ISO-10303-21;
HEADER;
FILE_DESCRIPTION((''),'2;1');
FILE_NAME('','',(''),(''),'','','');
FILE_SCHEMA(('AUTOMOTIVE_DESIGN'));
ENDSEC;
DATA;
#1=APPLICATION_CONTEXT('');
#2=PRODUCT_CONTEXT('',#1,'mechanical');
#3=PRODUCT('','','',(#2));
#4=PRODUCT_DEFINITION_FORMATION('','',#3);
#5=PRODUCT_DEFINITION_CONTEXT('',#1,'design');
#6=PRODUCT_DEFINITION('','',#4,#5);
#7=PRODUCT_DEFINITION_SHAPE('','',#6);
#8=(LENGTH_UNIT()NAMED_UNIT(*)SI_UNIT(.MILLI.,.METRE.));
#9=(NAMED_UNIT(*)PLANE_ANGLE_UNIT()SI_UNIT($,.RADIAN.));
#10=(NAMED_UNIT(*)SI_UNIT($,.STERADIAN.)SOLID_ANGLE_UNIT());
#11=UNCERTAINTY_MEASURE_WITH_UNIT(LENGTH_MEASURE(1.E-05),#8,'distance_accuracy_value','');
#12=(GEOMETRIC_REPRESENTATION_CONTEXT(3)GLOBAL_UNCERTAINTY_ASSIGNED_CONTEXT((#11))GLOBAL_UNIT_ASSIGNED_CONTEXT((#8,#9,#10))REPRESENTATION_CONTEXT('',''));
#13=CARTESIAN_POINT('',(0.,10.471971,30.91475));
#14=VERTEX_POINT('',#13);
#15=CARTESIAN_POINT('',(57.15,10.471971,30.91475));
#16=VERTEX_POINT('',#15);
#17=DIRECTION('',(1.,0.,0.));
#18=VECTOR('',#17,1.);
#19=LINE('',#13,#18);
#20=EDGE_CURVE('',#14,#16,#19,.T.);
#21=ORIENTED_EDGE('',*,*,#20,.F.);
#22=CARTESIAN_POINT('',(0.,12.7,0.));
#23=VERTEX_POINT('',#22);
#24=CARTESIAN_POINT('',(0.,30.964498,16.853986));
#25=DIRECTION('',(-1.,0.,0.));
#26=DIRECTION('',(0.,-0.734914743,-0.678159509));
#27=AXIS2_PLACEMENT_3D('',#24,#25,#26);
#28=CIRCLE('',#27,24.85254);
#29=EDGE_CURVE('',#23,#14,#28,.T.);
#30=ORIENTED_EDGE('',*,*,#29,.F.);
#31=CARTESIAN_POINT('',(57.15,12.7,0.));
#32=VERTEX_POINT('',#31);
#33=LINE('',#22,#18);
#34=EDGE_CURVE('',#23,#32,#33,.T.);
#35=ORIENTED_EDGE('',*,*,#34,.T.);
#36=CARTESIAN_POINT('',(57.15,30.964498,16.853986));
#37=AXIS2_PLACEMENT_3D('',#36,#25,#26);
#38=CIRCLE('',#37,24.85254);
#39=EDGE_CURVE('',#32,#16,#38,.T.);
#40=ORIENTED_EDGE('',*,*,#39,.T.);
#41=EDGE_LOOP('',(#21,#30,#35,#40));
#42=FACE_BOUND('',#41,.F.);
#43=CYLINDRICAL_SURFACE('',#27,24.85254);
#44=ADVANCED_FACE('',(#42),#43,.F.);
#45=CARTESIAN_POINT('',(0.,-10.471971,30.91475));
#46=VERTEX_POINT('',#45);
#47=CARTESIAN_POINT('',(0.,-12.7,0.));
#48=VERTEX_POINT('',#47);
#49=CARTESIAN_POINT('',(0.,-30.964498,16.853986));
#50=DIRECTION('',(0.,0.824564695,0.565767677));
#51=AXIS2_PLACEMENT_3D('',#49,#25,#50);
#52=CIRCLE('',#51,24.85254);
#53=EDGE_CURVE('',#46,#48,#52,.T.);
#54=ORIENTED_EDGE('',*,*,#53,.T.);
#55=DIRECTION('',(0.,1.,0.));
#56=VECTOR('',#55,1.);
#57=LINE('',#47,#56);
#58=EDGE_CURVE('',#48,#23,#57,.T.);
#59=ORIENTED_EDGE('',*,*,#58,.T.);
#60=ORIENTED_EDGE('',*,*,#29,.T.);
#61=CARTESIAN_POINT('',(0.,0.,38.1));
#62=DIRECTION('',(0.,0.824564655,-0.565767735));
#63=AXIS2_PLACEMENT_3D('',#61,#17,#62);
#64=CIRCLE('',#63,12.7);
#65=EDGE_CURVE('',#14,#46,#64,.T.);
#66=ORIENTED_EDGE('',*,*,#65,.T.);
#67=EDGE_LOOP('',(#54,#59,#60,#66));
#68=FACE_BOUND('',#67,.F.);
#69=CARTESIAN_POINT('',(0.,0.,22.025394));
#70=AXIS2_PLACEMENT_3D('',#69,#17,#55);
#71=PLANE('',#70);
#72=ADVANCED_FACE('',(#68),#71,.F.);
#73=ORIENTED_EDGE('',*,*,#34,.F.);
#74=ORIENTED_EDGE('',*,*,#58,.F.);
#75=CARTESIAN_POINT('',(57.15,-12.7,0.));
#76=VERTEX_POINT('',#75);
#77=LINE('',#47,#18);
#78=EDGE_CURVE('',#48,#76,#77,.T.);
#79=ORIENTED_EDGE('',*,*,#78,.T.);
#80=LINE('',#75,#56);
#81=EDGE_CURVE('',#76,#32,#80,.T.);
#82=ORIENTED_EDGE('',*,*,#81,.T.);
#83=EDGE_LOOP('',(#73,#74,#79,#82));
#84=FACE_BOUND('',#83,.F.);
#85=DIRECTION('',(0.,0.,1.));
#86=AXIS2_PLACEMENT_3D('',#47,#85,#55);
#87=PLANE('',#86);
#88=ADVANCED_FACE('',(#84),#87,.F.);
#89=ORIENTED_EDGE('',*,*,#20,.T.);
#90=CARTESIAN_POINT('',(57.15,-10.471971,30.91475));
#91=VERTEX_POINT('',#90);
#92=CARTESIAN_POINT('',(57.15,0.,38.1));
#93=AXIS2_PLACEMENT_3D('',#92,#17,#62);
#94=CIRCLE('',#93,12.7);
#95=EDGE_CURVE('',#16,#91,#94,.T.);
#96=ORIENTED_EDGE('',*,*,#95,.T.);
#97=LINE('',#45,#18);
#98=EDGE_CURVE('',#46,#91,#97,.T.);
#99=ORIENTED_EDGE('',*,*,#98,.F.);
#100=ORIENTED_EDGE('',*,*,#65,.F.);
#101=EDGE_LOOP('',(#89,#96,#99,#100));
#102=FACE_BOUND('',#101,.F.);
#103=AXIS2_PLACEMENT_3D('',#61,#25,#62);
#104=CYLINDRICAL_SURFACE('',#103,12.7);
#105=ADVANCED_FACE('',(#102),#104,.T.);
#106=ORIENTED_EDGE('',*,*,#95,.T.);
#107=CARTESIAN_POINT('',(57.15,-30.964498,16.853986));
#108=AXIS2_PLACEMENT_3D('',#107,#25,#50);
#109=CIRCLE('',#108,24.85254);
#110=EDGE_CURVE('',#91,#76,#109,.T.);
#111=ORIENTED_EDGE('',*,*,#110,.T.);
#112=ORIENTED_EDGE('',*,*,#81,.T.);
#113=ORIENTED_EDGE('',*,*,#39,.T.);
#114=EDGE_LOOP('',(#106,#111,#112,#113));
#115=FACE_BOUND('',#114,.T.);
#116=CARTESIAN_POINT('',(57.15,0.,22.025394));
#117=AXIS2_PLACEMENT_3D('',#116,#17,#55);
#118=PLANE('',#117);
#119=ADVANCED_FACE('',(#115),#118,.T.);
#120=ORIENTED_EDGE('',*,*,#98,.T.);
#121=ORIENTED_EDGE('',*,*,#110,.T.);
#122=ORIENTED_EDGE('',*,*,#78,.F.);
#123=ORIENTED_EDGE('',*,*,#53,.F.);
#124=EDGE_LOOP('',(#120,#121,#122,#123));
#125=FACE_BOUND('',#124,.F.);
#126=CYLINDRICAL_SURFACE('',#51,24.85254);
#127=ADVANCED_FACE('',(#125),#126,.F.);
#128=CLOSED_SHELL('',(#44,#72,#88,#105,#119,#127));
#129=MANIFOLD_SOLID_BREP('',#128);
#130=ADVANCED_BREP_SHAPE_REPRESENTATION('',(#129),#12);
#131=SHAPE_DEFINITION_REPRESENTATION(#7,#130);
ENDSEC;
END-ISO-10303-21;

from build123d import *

# Parameters (mm, degrees)
F1_DEPTH = 57.15


with BuildPart() as f1:
    # F0 (on Right) → F1 (new body)
    with BuildSketch(Plane.YZ):
        with BuildLine():
            ThreePointArc((-10.471971, 30.91475), (-6.176251, 15.067495), (-12.7, 0))
            Line((-12.7, 0), (12.7, 0))
            ThreePointArc((12.7, 0), (6.176251, 15.067495), (10.471971, 30.91475))
            ThreePointArc((10.471971, 30.91475), (0, 50.8), (-10.471971, 30.91475))
        make_face()
    extrude(amount=F1_DEPTH)


solid = f1.part
